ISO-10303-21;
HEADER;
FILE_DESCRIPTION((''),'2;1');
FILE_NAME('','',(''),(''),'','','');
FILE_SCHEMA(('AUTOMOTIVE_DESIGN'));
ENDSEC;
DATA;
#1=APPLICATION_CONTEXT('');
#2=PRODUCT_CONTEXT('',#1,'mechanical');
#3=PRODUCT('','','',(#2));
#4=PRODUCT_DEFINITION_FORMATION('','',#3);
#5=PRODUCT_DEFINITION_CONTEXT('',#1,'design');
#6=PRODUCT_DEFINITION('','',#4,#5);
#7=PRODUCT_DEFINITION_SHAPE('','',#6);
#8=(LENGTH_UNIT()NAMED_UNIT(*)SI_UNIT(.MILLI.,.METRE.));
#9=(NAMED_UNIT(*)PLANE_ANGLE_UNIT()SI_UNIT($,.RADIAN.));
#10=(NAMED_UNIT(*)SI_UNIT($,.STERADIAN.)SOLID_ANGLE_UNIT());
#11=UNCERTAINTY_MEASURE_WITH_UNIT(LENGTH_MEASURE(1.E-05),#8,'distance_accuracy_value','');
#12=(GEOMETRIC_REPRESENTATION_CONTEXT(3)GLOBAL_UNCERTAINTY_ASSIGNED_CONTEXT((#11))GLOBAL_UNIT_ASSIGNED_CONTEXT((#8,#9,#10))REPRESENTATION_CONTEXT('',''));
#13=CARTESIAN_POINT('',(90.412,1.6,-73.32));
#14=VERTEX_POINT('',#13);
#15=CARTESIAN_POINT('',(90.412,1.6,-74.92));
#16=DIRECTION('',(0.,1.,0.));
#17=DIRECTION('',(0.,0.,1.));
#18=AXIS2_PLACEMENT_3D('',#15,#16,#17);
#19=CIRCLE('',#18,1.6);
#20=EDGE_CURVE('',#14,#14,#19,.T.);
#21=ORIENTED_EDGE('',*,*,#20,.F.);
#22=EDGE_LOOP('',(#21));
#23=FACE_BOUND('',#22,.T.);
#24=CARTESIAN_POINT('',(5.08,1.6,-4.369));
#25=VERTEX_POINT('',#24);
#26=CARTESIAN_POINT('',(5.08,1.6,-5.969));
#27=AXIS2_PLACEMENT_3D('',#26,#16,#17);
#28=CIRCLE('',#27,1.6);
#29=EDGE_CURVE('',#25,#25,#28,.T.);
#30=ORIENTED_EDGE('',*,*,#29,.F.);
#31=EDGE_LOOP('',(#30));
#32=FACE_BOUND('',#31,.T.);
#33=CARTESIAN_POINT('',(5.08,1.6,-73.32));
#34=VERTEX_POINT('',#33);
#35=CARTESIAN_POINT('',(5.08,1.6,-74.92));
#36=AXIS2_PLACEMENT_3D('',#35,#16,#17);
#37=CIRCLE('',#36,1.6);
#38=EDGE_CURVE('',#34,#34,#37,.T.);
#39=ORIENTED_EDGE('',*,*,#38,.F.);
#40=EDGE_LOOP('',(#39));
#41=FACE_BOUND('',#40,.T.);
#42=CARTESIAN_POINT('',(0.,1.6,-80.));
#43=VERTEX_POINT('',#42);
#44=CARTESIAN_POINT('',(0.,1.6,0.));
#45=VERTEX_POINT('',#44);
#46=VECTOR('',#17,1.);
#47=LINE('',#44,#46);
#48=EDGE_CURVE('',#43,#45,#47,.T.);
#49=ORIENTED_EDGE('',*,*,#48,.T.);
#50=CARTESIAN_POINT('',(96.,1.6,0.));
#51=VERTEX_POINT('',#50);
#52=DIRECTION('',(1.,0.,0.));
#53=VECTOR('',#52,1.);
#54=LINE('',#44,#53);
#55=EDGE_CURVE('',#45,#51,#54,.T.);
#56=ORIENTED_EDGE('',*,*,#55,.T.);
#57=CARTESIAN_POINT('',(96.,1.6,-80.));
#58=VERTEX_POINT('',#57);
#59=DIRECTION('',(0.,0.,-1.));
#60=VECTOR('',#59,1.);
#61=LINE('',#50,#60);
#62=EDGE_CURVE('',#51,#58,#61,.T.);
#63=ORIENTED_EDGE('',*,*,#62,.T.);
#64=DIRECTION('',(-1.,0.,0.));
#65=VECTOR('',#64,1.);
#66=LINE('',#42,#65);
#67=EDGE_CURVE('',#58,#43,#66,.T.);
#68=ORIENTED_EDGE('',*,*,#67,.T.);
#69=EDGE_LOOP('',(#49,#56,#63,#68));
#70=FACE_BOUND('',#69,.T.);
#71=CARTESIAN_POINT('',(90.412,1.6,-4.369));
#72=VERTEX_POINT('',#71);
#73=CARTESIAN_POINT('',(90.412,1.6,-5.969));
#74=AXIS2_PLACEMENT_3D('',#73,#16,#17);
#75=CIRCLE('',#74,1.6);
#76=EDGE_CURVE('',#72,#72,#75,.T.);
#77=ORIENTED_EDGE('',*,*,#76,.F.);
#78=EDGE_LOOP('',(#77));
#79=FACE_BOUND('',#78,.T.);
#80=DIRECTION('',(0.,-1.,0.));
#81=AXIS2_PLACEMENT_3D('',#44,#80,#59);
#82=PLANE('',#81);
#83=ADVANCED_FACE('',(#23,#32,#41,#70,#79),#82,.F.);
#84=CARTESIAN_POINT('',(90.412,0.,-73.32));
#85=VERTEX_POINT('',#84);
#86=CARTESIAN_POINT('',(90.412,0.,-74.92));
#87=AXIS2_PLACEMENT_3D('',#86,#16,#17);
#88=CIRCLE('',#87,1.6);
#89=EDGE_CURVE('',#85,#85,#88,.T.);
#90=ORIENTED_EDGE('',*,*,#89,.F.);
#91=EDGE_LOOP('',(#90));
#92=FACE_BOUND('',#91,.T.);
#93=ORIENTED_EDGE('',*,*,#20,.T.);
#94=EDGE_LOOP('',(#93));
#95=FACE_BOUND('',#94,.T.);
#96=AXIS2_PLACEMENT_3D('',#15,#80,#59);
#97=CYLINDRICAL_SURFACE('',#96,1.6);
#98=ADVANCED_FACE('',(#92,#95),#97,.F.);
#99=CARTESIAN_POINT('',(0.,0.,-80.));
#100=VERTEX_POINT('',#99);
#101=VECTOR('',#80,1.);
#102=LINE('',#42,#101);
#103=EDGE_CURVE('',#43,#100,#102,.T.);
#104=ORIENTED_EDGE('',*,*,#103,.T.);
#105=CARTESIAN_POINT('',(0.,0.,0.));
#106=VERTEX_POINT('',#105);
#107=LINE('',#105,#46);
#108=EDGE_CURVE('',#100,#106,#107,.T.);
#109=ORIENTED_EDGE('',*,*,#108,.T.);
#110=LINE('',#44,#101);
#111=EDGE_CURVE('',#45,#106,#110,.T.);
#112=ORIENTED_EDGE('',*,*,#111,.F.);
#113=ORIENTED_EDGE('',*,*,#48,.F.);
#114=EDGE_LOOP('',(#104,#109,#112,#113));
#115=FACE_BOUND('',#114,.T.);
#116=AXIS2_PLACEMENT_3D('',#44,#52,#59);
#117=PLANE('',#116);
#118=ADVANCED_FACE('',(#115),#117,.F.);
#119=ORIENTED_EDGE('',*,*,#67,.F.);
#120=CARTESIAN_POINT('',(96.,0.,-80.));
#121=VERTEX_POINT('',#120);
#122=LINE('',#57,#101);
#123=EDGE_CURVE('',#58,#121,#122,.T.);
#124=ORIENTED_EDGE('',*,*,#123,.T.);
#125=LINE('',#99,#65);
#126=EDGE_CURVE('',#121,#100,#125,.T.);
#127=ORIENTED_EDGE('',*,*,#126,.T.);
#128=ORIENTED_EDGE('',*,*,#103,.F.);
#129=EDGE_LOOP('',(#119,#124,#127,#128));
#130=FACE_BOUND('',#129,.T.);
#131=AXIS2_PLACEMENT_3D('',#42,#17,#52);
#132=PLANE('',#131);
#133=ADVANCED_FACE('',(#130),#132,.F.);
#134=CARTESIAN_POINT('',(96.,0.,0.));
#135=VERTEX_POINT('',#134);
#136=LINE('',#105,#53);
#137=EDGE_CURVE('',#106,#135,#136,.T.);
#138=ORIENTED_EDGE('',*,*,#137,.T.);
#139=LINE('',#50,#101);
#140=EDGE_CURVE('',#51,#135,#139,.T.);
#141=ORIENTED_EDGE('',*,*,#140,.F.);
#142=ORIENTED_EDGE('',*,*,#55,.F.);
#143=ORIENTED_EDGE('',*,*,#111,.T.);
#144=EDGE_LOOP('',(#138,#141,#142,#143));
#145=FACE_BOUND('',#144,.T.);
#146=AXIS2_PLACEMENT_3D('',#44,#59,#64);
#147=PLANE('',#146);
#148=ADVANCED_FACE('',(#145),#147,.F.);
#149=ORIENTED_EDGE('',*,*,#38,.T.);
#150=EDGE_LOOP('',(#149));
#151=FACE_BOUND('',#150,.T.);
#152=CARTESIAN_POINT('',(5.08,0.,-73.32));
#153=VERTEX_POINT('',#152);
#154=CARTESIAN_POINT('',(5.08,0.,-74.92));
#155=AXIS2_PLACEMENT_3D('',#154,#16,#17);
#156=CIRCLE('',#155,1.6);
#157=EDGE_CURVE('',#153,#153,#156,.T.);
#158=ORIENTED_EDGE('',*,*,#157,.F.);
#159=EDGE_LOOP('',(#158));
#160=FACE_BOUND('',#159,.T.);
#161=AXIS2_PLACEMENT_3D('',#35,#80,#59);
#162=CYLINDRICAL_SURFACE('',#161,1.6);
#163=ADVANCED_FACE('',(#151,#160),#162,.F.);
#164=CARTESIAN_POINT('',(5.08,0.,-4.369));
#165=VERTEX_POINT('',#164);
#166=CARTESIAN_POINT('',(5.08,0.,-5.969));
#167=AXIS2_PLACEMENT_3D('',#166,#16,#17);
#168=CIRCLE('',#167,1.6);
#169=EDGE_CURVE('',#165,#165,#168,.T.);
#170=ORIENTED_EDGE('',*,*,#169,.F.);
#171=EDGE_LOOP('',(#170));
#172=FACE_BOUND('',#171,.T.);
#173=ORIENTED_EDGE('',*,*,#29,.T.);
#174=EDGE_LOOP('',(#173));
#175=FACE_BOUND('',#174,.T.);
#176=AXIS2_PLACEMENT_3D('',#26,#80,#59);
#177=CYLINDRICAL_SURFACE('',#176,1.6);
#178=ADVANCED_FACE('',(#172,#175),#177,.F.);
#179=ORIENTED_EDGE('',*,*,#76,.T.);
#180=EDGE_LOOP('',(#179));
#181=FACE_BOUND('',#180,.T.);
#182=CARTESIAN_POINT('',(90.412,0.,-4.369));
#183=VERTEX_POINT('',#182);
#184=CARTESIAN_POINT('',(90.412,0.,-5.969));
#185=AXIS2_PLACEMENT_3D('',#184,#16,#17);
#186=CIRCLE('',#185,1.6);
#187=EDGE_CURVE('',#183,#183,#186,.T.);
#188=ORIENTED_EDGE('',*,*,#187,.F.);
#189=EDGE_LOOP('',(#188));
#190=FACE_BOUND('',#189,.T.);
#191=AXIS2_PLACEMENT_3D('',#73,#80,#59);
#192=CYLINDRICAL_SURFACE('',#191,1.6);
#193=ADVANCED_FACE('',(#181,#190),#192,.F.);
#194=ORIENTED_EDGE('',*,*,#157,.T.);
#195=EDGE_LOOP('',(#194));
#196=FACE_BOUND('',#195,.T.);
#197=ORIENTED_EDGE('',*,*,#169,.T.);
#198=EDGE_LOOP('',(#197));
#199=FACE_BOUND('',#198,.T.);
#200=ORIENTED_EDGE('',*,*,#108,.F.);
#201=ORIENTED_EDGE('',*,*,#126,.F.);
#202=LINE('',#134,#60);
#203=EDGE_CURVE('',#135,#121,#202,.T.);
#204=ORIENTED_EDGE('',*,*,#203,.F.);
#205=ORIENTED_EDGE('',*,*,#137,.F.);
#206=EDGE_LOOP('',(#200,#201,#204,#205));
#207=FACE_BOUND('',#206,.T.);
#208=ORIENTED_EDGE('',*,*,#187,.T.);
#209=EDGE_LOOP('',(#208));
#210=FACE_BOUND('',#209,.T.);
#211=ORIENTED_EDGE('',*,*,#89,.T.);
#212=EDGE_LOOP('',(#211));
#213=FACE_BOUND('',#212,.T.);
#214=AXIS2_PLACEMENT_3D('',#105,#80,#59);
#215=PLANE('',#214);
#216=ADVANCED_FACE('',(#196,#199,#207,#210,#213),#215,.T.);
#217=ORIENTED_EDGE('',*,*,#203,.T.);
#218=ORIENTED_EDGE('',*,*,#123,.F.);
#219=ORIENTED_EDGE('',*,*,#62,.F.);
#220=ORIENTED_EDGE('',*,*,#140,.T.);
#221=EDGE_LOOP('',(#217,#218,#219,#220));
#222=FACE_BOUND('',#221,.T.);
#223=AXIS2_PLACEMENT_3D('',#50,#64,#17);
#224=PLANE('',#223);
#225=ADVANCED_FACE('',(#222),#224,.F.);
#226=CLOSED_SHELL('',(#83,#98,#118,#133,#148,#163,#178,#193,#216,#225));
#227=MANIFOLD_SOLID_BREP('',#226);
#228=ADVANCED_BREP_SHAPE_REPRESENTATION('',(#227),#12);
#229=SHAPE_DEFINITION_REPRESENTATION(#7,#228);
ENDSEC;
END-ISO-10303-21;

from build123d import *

# Parameters (mm, degrees)
SKETCH1_W           = 96
SKETCH1_H           = 80
SKETCH1_R           = 1.6
BOSS_EXTRUDE1_DEPTH = 1.6


with BuildPart() as part:
    # Sketch1 → Boss-Extrude1 (new body)
    with BuildSketch(Plane(origin=(0, 0, 0), x_dir=(1, 0, 0), z_dir=(0, 1, 0))):
        with Locations((48, 40)):
            Rectangle(SKETCH1_W, SKETCH1_H)
        with Locations(Location((5.08, 74.92, 0), (0, 0, 270))):
            Circle(SKETCH1_R, mode=Mode.SUBTRACT)
        with Locations(Location((90.412, 74.92, 0), (0, 0, 270))):
            Circle(SKETCH1_R, mode=Mode.SUBTRACT)
        with Locations(Location((90.412, 5.969, 0), (0, 0, 270))):
            Circle(SKETCH1_R, mode=Mode.SUBTRACT)
        with Locations(Location((5.08, 5.969, 0), (0, 0, 270))):
            Circle(SKETCH1_R, mode=Mode.SUBTRACT)
    extrude(amount=BOSS_EXTRUDE1_DEPTH)


solid = part.part
